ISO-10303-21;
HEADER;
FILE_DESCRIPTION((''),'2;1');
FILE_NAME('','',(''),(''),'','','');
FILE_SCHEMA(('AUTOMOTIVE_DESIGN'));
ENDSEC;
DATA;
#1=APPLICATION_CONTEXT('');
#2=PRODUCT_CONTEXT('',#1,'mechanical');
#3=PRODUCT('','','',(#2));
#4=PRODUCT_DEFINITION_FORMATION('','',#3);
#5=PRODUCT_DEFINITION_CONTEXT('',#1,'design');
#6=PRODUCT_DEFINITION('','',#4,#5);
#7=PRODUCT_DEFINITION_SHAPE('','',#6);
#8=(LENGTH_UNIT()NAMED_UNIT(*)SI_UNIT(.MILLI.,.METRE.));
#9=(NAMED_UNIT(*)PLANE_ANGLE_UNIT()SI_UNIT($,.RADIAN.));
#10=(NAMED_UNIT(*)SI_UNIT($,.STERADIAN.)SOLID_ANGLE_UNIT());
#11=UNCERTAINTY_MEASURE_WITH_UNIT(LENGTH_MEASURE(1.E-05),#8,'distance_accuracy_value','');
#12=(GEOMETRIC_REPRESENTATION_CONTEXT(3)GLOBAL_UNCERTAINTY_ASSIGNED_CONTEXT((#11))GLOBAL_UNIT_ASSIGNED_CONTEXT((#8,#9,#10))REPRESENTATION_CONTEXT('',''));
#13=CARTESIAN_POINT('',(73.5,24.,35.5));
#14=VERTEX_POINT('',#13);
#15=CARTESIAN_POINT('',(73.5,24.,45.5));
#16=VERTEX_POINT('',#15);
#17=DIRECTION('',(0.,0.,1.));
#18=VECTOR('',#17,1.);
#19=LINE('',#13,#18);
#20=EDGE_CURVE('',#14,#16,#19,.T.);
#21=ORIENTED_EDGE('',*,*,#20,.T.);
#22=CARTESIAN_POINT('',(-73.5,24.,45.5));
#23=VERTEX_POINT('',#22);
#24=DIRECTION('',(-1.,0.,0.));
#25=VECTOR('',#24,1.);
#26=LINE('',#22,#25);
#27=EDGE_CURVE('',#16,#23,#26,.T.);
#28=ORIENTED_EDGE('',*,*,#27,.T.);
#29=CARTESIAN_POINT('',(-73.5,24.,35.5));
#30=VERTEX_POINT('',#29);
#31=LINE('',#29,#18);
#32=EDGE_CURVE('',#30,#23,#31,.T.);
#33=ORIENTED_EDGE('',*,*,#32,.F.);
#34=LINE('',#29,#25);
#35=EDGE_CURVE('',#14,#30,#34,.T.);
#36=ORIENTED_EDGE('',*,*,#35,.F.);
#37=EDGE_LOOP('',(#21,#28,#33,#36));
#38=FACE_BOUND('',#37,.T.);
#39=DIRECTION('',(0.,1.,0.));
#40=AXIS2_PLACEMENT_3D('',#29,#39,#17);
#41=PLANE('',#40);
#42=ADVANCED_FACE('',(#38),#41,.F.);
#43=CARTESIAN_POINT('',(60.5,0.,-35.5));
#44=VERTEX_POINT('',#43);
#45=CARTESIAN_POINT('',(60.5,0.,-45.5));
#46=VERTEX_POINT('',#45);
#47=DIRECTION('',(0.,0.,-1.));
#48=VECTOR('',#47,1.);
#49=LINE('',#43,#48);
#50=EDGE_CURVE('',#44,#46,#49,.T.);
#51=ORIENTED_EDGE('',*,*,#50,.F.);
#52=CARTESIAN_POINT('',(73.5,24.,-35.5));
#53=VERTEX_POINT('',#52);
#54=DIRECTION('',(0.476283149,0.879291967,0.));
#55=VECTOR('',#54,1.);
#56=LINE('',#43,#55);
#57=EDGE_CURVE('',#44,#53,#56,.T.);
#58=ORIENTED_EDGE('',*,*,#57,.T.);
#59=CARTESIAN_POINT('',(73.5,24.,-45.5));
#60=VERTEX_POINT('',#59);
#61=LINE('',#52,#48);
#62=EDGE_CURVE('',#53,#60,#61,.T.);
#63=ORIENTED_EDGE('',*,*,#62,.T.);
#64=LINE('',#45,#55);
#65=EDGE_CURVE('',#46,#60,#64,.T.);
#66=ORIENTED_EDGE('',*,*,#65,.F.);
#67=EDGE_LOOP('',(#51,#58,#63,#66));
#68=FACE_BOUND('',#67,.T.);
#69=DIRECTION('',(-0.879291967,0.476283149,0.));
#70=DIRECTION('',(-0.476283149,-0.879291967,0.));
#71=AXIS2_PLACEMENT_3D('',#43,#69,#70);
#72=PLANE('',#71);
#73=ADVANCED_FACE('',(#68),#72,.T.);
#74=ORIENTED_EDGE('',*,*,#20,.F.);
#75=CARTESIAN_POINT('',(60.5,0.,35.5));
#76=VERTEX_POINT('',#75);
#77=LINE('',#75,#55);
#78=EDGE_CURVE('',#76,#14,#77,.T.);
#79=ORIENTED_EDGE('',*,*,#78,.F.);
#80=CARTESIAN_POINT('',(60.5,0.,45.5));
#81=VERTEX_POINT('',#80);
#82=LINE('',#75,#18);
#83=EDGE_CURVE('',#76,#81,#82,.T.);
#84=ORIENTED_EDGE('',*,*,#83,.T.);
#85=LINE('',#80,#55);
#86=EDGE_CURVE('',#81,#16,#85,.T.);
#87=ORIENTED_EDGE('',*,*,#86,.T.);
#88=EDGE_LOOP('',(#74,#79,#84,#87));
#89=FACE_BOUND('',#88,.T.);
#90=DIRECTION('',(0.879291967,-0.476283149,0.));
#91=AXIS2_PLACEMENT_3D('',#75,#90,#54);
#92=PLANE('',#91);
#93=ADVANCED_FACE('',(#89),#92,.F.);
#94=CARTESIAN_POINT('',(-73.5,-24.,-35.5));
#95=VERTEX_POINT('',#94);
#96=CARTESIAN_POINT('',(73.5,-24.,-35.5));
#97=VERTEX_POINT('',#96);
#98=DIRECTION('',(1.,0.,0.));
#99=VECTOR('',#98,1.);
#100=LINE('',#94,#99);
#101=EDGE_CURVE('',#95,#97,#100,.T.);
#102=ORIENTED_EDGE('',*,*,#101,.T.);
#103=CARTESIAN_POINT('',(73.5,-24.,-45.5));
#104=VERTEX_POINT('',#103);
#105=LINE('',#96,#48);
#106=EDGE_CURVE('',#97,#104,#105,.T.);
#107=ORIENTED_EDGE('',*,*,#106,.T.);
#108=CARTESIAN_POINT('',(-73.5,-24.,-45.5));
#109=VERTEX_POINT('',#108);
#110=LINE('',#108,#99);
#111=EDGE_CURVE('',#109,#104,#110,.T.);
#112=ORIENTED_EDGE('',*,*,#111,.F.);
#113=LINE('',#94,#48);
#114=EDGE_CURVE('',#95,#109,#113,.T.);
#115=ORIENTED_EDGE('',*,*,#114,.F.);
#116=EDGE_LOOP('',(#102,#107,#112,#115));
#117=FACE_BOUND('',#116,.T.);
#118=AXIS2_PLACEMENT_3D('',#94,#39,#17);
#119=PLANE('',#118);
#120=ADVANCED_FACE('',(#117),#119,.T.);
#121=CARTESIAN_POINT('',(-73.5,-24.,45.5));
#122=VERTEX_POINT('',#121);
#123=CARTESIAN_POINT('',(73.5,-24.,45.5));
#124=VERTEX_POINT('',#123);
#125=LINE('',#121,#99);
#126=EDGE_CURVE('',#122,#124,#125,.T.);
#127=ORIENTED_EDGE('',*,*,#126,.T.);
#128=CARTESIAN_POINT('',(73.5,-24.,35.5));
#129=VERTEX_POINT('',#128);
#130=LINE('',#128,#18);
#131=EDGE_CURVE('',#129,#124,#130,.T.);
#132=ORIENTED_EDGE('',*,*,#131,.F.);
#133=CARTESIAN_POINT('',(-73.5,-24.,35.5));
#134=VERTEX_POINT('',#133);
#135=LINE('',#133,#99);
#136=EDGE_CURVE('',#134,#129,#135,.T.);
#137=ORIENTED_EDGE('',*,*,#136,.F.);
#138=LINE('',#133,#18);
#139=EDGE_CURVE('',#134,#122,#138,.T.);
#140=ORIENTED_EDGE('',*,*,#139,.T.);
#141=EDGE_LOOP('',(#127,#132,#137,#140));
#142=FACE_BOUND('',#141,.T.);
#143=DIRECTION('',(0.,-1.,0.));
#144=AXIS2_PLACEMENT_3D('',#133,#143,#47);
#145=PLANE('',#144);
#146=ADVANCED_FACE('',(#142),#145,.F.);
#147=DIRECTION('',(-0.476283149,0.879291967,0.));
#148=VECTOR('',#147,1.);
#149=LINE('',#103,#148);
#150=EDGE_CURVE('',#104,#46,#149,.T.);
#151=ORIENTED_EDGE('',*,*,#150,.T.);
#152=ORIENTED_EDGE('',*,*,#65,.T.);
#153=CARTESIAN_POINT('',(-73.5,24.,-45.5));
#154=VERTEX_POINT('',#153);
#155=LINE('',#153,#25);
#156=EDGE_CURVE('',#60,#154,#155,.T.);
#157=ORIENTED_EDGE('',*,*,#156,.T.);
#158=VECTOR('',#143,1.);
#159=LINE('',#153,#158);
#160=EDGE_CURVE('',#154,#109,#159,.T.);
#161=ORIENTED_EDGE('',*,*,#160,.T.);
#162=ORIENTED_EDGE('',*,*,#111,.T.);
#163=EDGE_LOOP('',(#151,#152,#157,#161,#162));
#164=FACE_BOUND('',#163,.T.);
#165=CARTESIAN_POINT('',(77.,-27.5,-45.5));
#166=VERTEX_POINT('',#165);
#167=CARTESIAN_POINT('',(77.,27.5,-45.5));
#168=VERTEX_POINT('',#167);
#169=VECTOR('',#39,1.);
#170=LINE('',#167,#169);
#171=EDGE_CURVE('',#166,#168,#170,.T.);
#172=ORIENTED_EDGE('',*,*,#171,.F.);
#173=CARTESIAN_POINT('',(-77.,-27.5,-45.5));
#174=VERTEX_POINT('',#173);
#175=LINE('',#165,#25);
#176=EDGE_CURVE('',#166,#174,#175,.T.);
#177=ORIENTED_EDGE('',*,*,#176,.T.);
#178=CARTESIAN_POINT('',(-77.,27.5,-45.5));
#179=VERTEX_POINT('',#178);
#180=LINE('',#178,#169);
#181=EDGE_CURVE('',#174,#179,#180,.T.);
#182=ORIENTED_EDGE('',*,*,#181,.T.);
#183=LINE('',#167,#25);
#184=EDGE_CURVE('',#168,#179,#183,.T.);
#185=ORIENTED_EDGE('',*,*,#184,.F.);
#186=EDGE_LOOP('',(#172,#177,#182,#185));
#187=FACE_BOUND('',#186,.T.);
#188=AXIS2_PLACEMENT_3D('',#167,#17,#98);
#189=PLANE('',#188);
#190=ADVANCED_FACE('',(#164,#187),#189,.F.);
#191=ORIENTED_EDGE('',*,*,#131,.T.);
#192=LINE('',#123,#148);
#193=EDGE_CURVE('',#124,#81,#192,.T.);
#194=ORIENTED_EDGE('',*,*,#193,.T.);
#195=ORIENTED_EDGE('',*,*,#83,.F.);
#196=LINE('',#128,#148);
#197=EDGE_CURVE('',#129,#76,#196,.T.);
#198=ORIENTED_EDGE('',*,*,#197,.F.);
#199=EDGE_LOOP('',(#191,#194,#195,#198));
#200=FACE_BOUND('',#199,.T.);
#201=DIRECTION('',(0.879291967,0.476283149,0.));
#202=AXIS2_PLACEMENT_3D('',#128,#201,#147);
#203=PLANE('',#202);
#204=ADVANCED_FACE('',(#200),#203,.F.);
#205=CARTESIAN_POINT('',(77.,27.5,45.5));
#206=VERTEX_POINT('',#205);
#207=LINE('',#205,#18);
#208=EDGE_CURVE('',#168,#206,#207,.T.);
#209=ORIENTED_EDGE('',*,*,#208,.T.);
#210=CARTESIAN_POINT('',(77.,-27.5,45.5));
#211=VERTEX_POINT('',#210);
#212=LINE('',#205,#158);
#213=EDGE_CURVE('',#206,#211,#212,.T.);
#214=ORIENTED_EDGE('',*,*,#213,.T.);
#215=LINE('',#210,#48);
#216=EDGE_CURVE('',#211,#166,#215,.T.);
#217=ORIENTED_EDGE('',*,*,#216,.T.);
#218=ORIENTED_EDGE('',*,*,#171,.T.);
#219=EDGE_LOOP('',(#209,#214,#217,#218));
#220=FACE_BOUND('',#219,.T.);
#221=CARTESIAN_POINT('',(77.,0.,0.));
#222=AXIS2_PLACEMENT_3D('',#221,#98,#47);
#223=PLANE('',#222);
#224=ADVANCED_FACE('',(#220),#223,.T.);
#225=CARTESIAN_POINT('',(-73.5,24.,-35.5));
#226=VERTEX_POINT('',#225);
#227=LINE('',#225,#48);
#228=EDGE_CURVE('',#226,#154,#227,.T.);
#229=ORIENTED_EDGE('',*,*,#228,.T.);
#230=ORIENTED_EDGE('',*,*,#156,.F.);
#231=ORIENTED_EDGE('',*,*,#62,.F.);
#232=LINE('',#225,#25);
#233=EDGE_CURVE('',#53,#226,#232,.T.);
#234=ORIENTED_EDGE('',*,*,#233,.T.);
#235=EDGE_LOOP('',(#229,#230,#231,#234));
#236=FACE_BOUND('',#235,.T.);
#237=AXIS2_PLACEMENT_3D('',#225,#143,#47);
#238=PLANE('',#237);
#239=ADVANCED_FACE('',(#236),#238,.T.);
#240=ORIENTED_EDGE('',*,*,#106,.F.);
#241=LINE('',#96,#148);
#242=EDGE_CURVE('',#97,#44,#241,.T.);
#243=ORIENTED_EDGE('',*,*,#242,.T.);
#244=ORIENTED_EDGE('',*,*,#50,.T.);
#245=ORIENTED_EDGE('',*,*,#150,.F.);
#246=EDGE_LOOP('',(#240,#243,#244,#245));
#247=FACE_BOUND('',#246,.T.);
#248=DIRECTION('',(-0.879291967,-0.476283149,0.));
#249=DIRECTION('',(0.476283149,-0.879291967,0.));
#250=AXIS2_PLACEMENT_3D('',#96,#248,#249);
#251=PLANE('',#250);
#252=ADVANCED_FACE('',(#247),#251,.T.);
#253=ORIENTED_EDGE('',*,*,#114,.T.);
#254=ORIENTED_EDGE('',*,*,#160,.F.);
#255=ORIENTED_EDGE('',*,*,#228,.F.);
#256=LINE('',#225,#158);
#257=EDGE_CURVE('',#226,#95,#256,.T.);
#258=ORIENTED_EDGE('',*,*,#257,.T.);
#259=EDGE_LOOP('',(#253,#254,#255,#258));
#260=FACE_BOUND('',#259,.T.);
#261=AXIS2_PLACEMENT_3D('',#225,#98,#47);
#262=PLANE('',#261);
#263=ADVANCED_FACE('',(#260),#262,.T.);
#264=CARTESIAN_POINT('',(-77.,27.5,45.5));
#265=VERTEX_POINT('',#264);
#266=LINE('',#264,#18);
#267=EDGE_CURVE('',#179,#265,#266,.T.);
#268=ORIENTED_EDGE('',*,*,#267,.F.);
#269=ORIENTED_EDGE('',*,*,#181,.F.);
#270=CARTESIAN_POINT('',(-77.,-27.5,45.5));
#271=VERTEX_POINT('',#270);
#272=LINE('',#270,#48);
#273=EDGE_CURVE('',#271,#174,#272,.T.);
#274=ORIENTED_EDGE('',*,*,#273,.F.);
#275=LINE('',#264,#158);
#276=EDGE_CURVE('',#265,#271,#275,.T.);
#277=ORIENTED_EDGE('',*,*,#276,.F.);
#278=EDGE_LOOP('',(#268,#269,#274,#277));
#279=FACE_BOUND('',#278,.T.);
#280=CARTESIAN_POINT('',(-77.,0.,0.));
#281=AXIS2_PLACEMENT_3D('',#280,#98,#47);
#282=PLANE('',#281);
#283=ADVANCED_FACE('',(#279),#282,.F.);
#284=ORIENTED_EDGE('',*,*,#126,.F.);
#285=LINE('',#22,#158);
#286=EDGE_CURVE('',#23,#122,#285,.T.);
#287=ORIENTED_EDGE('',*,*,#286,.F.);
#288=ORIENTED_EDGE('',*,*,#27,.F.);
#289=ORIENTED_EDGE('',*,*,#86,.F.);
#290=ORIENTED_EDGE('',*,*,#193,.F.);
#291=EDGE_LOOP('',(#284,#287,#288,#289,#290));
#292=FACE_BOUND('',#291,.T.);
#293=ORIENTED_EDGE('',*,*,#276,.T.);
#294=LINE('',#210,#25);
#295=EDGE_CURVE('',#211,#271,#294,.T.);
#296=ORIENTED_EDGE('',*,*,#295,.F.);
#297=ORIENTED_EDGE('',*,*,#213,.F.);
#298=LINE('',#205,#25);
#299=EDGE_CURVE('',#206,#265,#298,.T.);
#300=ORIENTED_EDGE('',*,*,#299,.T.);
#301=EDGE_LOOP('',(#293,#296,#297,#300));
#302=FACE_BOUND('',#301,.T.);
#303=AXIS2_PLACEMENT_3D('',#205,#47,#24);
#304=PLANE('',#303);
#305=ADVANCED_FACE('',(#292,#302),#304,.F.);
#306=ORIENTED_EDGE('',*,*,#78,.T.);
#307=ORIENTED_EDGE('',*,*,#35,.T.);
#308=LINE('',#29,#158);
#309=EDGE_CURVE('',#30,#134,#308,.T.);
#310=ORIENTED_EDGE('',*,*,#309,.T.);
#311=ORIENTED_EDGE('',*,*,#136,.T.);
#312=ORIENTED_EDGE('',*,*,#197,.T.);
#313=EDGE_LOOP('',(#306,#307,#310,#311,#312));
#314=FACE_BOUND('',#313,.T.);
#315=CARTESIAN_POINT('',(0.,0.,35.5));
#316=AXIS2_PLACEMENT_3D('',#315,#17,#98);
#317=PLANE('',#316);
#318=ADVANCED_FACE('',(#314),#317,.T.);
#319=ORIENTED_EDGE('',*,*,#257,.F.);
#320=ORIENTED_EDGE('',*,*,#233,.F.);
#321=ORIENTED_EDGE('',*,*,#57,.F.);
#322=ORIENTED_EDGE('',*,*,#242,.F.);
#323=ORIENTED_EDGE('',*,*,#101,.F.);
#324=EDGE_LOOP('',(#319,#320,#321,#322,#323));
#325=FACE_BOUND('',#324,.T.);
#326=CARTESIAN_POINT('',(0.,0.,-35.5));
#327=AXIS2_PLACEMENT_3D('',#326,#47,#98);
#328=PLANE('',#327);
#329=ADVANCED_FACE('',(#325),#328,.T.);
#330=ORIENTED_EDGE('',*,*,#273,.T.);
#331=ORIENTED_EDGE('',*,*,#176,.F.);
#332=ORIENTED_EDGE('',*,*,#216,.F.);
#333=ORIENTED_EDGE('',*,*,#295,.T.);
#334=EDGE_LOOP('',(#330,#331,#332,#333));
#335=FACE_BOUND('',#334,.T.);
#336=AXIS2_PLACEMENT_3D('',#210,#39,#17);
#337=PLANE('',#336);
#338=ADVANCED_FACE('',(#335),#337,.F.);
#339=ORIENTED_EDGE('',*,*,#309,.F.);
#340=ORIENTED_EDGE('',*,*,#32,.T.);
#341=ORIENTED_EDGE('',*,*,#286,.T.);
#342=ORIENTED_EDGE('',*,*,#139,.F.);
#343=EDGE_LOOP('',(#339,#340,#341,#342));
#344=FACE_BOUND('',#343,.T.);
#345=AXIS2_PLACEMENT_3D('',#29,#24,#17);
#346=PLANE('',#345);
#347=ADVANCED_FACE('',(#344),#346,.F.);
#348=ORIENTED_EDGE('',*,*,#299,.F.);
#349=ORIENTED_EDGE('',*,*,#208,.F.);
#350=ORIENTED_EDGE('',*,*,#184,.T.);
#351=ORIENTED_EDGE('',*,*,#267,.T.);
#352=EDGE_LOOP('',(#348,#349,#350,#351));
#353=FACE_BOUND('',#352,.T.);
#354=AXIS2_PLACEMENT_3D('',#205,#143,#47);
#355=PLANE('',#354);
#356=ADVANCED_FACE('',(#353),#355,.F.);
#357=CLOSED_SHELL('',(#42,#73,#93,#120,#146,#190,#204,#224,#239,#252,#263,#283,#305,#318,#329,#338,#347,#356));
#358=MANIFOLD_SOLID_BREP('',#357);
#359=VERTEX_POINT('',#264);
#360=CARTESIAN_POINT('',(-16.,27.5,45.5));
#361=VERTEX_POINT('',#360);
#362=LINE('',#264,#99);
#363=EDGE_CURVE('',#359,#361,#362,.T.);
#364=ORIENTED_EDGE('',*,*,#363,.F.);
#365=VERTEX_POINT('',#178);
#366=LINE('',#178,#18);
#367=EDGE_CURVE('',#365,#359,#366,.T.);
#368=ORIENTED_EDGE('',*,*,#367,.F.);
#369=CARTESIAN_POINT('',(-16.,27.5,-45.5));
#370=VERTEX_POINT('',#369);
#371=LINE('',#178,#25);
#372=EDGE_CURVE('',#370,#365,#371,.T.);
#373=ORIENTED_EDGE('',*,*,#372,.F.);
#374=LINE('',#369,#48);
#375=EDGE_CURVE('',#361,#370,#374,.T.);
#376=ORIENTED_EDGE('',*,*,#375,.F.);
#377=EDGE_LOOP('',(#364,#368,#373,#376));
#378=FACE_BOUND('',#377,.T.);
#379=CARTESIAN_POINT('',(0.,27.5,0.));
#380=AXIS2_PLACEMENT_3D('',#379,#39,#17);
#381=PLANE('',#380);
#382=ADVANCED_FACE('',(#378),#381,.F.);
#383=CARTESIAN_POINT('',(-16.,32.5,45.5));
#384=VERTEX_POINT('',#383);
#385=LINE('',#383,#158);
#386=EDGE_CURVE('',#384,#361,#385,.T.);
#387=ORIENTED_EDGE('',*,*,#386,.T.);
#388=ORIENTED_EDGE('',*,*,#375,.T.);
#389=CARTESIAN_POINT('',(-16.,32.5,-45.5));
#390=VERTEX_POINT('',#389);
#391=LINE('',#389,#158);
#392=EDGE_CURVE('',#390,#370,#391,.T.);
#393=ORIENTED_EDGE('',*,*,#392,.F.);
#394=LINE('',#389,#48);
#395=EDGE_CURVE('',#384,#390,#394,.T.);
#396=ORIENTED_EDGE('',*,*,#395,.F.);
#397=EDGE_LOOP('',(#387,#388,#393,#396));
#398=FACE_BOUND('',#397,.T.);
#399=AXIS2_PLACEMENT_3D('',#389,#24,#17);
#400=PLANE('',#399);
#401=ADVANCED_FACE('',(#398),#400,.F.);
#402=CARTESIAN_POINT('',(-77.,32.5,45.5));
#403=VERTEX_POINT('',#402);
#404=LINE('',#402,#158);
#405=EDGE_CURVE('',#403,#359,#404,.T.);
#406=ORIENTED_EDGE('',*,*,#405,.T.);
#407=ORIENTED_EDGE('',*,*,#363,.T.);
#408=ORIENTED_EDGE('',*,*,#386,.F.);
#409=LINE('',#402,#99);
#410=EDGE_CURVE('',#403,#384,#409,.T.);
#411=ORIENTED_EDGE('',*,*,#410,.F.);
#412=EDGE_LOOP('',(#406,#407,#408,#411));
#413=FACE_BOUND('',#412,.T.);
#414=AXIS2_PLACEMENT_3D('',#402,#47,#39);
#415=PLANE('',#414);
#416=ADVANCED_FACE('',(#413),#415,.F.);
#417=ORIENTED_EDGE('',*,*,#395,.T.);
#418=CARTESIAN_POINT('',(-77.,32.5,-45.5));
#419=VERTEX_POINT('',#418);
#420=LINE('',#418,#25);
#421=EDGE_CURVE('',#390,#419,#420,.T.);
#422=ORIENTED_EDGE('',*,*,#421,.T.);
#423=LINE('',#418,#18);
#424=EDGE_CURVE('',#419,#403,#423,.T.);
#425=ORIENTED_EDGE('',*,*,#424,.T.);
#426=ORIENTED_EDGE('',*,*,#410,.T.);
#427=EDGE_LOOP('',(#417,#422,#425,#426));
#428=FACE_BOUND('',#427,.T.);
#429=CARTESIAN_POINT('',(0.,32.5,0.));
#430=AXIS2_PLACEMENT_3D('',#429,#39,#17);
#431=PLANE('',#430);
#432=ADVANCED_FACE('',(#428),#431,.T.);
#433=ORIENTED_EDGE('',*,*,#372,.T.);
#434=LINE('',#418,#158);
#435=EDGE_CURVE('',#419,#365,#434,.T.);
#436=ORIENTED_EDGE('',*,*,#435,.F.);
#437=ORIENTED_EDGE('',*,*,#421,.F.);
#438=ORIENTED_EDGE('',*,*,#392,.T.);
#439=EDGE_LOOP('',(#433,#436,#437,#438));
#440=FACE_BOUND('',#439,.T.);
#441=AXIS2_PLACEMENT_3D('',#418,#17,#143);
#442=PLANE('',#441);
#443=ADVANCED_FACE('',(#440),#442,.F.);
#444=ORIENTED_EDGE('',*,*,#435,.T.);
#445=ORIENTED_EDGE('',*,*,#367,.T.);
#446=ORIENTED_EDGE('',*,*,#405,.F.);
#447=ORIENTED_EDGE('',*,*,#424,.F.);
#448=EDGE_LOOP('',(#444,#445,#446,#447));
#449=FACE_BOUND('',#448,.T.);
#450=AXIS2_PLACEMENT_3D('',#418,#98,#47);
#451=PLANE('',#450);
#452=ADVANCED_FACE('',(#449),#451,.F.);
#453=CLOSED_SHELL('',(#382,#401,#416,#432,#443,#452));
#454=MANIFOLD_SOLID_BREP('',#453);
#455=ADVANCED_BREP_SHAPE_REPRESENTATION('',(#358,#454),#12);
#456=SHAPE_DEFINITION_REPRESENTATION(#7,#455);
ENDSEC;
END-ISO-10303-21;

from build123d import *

# Parameters (mm, degrees)
ESQUISSE1_W             = 91
ESQUISSE1_H             = 55
BOSS_EXTRU_1_DEPTH      = 77
ESQUISSE3_W             = 61
ESQUISSE3_H             = 91
BOSS_EXTRU_2_DEPTH      = 5
ENL_V_MAT_EXTRU_1_DEPTH = 10


with BuildPart() as part:
    # Esquisse1 → Boss.-Extru.1 (new, symmetric)
    with BuildSketch(Plane(origin=(0, 0, 0), x_dir=(0, 0, -1), z_dir=(1, 0, 0))):
        Rectangle(ESQUISSE1_W, ESQUISSE1_H)
    extrude(amount=BOSS_EXTRU_1_DEPTH, both=True)

    # Esquisse4 → Enlèv. mat.-Extru.1 (cut)
    with BuildSketch(Plane.XY.offset(45.5)):
        Polygon((-73.5, 24), (73.5, 24), (60.5, 0), (73.5, -24), (-73.5, -24), align=None)
    enl_v_mat_extru_1 = extrude(amount=-ENL_V_MAT_EXTRU_1_DEPTH, mode=Mode.SUBTRACT)

    # Symétrie1: Enlèv. mat.-Extru.1 across plane
    add(enl_v_mat_extru_1.mirror(Plane.XY), mode=Mode.SUBTRACT)


with BuildPart() as body_2:
    # Esquisse3 → Boss.-Extru.2 (new body)
    with BuildSketch(Plane(origin=(0, 27.5, 0), x_dir=(1, 0, 0), z_dir=(0, 1, 0))):
        with Locations((-46.5, 0)):
            Rectangle(ESQUISSE3_W, ESQUISSE3_H)
    extrude(amount=BOSS_EXTRU_2_DEPTH)


solid = Compound([part.part, body_2.part])
